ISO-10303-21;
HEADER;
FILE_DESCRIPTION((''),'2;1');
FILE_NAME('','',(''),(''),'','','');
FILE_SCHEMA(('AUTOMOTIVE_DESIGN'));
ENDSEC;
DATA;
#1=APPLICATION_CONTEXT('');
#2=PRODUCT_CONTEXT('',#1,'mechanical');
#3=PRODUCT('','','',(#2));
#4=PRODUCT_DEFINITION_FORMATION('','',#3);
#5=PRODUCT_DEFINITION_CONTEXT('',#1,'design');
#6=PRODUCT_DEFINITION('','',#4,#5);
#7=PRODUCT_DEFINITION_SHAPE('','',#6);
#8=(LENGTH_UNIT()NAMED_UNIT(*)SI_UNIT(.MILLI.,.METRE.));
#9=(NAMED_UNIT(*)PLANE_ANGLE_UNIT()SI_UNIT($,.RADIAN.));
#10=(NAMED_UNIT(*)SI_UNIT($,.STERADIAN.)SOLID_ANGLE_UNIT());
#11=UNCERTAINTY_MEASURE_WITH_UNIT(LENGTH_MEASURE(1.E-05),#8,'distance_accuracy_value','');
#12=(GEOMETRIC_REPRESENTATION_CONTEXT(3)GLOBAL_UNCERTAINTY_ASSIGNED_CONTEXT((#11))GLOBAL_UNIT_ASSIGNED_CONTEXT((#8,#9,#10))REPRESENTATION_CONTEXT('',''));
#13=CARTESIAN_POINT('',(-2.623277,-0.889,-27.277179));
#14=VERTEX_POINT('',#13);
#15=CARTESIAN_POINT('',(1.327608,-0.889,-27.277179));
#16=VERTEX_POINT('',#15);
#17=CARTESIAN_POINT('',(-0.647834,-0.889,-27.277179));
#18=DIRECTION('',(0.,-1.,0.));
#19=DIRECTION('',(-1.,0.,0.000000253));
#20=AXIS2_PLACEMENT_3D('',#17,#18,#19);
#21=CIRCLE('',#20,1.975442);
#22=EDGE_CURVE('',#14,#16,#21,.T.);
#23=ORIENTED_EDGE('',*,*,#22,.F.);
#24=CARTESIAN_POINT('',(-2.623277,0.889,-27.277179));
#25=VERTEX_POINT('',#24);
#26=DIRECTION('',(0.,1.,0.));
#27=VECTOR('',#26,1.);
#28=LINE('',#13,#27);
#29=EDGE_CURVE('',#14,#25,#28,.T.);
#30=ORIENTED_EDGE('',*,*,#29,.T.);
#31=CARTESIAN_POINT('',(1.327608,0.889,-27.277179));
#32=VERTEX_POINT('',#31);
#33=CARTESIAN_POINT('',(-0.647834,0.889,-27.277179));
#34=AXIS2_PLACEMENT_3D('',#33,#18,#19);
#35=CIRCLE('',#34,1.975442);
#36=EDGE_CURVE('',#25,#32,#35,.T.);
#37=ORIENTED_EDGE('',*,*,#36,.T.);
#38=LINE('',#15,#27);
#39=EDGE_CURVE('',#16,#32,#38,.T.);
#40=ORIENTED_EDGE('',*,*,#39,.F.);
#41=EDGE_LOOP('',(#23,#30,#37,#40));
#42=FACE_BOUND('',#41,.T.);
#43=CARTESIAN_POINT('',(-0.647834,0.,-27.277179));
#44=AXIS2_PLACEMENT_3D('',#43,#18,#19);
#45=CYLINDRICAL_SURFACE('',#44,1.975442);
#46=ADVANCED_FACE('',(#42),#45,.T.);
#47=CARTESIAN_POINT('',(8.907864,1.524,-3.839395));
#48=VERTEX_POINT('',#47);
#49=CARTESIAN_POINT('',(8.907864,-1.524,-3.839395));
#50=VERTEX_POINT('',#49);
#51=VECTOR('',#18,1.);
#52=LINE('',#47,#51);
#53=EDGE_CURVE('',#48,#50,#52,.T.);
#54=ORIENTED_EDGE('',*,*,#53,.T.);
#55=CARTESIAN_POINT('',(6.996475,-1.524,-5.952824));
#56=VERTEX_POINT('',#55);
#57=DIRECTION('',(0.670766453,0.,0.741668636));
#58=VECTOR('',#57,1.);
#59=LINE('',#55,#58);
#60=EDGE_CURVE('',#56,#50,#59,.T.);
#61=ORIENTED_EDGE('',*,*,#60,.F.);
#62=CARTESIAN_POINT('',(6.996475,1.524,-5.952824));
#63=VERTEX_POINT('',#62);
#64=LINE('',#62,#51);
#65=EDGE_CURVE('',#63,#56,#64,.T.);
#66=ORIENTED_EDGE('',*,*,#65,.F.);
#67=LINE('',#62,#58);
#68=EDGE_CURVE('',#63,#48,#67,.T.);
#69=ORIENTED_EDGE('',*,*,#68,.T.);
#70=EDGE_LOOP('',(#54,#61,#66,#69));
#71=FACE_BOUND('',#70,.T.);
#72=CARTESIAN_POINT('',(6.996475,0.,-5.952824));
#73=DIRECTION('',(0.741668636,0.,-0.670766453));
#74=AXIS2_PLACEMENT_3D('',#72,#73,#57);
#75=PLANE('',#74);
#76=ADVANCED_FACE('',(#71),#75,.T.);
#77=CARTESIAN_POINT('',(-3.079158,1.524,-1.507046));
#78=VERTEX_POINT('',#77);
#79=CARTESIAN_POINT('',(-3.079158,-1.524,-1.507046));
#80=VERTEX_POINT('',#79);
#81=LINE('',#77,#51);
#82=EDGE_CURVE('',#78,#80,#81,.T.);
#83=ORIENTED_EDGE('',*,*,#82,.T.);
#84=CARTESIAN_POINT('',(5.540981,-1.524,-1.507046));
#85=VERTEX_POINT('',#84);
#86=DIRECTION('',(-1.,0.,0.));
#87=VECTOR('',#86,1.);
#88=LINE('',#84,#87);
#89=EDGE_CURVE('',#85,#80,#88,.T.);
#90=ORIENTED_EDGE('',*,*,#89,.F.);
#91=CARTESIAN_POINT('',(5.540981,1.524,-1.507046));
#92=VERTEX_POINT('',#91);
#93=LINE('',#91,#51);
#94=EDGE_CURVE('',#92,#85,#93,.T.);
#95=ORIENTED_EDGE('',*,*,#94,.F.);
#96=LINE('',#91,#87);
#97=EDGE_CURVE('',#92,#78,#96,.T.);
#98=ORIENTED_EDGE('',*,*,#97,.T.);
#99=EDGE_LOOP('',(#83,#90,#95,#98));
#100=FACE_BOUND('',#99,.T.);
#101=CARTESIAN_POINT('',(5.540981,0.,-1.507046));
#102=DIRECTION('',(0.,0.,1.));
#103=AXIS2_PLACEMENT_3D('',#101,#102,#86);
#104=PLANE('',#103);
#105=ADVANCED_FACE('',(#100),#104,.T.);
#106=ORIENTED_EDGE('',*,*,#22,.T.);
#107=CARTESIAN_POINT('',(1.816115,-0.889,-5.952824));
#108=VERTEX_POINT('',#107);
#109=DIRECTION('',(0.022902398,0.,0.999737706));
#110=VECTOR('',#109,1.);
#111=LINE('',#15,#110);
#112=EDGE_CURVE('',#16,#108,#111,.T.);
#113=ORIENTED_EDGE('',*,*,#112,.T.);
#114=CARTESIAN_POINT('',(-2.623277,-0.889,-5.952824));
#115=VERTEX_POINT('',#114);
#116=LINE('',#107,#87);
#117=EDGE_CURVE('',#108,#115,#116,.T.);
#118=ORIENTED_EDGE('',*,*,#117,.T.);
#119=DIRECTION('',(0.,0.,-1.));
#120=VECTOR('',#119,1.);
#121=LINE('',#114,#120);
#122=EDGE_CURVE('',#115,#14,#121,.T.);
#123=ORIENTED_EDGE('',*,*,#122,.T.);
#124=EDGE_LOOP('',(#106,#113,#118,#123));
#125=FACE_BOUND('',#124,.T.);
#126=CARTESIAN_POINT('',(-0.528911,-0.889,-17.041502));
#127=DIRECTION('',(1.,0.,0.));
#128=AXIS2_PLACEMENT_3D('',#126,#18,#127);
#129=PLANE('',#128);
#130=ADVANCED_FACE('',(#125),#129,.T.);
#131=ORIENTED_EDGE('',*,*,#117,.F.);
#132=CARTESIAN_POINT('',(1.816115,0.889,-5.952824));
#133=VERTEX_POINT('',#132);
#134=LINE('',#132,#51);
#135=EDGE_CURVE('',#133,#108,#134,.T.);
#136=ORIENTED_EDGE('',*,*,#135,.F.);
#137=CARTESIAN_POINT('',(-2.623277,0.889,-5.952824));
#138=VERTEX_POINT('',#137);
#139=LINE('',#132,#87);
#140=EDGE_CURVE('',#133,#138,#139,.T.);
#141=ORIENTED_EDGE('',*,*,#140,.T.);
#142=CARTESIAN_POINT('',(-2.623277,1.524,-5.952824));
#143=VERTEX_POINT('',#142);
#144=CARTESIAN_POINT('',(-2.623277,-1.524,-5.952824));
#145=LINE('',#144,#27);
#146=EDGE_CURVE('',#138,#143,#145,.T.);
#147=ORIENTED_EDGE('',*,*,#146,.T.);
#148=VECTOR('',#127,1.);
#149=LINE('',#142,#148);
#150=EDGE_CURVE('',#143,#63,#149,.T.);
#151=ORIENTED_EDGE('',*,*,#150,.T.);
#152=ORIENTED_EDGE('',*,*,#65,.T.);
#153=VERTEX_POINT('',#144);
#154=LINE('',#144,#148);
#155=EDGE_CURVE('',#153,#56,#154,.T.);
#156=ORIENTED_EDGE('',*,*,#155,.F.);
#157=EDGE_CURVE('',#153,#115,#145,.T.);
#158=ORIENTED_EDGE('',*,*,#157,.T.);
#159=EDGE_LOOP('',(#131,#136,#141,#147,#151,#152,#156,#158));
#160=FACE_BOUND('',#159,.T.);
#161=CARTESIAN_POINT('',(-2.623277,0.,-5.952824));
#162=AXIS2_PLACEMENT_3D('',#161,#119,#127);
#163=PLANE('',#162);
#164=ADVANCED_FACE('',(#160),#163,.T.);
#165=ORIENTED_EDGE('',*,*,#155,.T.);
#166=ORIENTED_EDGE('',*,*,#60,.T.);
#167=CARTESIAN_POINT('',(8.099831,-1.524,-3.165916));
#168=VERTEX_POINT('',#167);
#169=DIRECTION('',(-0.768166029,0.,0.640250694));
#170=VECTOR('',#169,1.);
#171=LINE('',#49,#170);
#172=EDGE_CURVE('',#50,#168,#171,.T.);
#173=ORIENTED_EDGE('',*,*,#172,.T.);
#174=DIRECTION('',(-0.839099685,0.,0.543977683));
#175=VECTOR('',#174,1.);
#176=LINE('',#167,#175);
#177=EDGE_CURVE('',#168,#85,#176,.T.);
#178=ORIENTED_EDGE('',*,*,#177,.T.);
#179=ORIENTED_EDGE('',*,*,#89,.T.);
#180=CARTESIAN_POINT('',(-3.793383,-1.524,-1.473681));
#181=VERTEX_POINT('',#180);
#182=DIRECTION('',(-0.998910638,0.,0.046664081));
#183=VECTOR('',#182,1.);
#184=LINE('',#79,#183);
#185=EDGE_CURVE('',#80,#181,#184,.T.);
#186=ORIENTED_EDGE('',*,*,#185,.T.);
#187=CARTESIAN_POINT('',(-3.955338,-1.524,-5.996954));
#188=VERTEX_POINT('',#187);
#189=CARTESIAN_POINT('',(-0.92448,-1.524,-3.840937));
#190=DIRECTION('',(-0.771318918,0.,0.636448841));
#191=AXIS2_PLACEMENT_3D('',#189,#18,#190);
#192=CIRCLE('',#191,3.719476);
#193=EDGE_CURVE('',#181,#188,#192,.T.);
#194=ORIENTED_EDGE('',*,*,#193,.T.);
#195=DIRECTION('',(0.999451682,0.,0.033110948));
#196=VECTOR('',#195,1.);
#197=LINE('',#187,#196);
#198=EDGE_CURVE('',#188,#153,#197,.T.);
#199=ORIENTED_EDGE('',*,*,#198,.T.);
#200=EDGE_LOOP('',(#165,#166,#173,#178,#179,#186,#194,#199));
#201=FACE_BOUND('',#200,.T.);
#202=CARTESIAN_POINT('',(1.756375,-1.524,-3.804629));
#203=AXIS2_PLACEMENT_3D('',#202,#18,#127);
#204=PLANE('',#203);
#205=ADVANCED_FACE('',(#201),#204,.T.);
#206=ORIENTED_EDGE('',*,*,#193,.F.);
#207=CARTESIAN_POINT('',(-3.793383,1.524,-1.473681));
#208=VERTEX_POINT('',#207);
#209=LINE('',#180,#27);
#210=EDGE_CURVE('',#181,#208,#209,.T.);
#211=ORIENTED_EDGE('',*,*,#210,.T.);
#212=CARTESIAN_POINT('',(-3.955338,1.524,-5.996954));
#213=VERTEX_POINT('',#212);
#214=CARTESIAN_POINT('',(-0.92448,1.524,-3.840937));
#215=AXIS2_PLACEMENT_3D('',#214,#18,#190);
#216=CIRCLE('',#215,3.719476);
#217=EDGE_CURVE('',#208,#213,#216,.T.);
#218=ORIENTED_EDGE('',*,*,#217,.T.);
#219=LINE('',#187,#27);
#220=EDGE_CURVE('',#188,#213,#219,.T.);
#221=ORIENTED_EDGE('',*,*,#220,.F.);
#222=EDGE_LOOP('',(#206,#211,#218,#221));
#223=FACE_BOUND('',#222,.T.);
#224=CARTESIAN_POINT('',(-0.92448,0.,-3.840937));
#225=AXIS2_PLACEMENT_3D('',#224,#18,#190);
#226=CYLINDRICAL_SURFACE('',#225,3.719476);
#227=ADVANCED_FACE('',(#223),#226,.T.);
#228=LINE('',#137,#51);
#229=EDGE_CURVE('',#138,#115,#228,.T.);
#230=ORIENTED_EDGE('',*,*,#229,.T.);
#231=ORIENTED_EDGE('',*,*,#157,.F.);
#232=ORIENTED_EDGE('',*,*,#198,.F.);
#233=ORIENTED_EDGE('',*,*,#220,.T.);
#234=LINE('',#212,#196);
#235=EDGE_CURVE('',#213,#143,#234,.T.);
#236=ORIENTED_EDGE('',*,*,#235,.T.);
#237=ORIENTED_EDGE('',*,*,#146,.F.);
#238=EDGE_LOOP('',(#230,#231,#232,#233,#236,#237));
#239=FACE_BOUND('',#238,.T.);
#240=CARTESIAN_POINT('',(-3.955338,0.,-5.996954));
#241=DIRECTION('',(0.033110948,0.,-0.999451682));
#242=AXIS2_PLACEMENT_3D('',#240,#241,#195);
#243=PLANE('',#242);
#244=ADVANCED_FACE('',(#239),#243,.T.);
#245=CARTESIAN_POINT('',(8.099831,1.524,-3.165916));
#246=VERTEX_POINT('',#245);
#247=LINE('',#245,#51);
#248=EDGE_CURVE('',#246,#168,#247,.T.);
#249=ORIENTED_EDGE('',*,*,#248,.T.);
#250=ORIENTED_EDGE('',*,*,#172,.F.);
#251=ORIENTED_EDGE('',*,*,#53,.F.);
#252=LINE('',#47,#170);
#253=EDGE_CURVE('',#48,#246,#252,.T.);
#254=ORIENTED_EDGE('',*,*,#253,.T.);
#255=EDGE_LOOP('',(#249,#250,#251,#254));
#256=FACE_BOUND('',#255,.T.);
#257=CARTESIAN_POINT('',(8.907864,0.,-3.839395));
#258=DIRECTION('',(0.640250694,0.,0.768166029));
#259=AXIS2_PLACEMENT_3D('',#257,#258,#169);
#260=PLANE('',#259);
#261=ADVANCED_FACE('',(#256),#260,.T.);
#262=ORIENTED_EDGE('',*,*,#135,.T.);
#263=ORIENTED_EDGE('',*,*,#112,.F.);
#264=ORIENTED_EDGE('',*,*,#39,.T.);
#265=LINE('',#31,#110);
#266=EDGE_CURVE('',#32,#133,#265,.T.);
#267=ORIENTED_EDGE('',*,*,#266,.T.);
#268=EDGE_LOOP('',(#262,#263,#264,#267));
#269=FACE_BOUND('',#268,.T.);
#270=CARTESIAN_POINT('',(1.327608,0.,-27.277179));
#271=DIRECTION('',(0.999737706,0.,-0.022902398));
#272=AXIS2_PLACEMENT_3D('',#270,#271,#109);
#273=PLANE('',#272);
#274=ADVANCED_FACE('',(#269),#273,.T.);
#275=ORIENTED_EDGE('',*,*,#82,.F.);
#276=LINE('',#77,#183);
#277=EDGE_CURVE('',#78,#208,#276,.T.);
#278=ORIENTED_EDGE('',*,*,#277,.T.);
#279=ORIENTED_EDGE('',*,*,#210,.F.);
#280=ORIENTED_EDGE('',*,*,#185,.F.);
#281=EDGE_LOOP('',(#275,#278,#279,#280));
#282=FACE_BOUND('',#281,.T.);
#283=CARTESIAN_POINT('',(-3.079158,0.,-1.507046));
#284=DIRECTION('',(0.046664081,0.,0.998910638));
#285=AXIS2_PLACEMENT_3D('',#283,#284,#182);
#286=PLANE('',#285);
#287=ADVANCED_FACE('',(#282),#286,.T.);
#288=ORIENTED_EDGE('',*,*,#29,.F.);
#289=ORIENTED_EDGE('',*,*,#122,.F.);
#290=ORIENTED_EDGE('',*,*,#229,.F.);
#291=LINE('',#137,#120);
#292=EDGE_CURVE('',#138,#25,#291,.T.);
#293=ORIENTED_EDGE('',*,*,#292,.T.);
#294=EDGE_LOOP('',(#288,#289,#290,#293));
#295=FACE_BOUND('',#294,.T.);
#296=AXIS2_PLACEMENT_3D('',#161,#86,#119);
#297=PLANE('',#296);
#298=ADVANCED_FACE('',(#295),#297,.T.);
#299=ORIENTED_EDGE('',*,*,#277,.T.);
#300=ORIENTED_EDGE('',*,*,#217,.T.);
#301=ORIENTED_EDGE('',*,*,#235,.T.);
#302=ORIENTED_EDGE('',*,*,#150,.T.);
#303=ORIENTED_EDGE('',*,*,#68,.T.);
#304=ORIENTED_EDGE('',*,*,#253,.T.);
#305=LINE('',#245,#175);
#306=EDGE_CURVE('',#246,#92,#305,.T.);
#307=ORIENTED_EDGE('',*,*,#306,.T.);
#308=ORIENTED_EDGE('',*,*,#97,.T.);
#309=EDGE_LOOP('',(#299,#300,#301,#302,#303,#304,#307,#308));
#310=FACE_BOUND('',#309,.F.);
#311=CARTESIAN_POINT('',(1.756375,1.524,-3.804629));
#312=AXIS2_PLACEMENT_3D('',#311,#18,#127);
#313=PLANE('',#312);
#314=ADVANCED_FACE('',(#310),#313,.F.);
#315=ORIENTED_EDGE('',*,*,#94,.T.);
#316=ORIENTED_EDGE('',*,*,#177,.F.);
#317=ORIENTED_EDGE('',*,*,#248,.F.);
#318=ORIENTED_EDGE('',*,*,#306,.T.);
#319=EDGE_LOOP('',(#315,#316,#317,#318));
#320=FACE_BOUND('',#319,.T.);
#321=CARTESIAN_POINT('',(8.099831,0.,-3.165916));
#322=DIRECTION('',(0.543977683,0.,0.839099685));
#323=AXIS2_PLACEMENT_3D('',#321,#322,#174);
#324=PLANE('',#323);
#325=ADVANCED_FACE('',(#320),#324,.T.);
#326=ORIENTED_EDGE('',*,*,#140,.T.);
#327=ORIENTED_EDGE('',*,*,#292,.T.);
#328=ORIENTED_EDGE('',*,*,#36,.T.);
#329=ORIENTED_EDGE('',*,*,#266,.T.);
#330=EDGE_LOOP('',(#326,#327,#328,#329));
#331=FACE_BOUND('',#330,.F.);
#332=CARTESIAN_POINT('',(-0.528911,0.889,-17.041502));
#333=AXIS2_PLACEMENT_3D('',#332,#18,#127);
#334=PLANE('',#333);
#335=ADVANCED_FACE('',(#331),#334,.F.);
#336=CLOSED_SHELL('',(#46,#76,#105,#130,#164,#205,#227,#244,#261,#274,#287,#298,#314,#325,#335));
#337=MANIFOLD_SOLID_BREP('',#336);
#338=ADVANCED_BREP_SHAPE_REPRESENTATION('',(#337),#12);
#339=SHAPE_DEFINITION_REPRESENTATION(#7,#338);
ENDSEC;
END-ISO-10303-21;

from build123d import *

# Parameters (mm, degrees)
F1_DEPTH = 0.889
F2_DEPTH = 1.524


with BuildPart() as f1:
    # F0 (on Front) → F1 (new body, symmetric)
    with BuildSketch(Plane.XZ):
        with BuildLine():
            Line((1.327608, -27.277179), (1.816115, -5.952824))
            Line((1.816115, -5.952824), (-2.623277, -5.952824))
            Line((-2.623277, -5.952824), (-2.623277, -27.277179))
            ThreePointArc((-2.623277, -27.277179), (-0.647834, -29.252622), (1.327608, -27.277179))
        make_face()
    extrude(amount=F1_DEPTH, both=True)

    # F0 (on Front) → F2 (join, symmetric)
    with BuildSketch(Plane.XZ):
        with BuildLine():
            Line((-2.623277, -5.952824), (1.816115, -5.952824))
            Line((1.816115, -5.952824), (4.033533, -5.952824))
            Line((4.033533, -5.952824), (6.996475, -5.952824))
            Line((6.996475, -5.952824), (8.907864, -3.839395))
            Line((8.907864, -3.839395), (8.099831, -3.165916))
            Line((8.099831, -3.165916), (5.540981, -1.507046))
            Line((5.540981, -1.507046), (2.552063, -1.507046))
            Line((2.552063, -1.507046), (-0.735558, -1.507046))
            Line((-0.735558, -1.507046), (-2.122533, -1.507046))
            Line((-2.122533, -1.507046), (-3.079158, -1.507046))
            Line((-3.079158, -1.507046), (-3.793383, -1.473681))
            ThreePointArc((-3.793383, -1.473681), (-4.641575, -3.707847), (-3.955338, -5.996954))
            Line((-3.955338, -5.996954), (-2.623277, -5.952824))
        make_face()
    extrude(amount=F2_DEPTH, both=True)


solid = f1.part
